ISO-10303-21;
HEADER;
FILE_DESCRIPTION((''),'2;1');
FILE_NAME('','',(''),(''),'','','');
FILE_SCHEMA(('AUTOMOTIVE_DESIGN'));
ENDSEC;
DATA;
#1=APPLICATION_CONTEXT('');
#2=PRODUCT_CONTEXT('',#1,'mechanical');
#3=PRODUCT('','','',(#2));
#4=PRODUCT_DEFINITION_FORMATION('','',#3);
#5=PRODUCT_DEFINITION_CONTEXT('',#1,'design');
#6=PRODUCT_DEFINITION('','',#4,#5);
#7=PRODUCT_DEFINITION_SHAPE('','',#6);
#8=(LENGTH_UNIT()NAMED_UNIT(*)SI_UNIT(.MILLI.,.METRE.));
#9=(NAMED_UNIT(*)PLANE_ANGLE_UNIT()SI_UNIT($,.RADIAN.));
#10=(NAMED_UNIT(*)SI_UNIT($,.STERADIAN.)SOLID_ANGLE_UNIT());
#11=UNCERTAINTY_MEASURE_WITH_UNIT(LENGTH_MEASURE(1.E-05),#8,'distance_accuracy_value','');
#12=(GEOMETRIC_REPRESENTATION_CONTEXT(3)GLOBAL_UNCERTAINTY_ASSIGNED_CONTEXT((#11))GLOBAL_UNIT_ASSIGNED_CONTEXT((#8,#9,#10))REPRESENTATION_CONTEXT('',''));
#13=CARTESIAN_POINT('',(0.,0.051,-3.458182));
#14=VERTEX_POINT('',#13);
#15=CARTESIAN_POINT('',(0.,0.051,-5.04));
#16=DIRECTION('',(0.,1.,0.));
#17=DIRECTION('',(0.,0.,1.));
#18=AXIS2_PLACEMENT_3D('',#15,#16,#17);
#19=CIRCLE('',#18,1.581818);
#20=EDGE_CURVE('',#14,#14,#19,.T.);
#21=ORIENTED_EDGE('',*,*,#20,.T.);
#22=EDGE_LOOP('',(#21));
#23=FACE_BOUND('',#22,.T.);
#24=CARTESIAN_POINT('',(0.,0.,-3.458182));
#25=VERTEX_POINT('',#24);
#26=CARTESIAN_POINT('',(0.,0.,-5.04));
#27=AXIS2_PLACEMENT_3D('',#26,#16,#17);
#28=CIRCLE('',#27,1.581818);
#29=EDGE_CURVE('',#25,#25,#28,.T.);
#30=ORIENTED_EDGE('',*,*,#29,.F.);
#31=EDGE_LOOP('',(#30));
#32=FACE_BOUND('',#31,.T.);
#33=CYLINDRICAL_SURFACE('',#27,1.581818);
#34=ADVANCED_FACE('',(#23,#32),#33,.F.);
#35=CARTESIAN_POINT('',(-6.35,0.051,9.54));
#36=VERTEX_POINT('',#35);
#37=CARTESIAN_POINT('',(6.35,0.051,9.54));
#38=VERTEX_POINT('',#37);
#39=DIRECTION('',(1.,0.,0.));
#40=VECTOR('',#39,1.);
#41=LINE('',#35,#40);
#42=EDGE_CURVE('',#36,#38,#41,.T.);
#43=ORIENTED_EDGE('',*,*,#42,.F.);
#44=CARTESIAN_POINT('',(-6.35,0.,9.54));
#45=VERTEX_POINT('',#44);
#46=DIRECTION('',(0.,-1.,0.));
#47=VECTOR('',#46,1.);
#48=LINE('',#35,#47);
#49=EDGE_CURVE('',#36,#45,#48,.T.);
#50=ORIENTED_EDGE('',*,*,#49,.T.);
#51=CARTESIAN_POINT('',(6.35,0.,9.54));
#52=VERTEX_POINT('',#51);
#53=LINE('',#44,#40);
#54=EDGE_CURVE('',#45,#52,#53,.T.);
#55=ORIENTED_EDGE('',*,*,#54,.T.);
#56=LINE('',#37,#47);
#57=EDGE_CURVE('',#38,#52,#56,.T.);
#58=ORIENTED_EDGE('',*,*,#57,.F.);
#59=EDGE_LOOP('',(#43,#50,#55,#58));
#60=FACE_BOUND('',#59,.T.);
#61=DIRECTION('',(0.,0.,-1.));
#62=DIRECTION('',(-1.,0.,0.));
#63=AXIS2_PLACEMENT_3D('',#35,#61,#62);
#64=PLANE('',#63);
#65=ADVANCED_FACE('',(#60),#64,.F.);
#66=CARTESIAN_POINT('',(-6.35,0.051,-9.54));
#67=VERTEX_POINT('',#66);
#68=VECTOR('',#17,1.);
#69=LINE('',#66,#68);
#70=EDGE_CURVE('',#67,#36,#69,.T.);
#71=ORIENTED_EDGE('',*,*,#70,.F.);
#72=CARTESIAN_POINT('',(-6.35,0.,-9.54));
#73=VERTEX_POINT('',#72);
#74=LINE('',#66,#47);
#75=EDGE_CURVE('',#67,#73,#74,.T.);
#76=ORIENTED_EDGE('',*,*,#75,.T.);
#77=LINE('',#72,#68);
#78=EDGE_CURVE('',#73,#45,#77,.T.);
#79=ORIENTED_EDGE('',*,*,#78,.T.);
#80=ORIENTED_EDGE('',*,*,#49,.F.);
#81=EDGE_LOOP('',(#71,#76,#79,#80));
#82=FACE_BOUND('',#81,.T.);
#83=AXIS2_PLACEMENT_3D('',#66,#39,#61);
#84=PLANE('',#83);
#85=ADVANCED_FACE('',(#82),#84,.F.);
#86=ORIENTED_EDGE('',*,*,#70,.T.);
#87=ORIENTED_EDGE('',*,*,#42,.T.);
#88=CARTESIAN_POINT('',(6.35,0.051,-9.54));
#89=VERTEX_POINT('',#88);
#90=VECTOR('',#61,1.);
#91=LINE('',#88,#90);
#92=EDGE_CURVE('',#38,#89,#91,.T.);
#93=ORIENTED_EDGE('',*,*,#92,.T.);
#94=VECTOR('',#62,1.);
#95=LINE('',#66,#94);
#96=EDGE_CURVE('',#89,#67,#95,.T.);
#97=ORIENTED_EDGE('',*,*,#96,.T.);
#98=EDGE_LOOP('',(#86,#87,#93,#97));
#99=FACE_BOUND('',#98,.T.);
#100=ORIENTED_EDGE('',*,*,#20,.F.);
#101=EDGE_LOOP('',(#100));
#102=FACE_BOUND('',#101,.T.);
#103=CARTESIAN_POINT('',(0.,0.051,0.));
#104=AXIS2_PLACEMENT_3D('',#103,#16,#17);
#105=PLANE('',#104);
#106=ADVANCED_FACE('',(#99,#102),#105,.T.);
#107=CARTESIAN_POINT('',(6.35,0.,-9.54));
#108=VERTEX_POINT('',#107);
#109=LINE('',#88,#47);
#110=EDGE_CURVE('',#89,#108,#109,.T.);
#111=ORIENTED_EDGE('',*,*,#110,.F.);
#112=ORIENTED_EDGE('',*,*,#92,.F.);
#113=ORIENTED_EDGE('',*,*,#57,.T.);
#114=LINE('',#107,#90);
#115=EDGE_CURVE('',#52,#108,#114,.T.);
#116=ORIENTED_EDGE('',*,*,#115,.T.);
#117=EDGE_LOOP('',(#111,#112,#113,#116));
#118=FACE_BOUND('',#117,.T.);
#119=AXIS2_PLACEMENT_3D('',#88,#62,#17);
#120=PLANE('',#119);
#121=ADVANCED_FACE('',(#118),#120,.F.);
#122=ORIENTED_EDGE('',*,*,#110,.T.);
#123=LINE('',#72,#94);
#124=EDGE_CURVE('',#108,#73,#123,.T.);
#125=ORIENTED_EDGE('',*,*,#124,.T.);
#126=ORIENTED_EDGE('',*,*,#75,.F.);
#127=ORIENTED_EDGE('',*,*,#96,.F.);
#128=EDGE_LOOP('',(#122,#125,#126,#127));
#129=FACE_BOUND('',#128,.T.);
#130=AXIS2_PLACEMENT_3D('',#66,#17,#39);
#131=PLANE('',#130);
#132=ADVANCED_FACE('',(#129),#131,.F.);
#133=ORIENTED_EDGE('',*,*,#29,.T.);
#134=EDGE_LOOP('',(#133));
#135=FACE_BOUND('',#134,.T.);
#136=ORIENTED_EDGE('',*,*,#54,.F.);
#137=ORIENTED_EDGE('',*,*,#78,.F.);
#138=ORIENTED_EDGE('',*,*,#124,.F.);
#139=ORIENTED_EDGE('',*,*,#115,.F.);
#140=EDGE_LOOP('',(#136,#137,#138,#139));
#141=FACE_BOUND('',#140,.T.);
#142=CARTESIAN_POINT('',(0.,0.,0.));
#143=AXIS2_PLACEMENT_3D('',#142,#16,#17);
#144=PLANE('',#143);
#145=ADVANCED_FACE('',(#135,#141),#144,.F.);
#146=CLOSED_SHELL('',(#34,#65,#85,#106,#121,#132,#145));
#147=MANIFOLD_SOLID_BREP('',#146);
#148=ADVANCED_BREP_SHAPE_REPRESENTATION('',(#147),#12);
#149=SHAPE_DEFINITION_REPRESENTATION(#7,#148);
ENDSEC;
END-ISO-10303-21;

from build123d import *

# Parameters (mm, degrees)
SKETCH1_W           = 12.7
SKETCH1_H           = 19.08
BOSS_EXTRUDE1_DEPTH = 0.051
SKETCH2_R           = 1.58181762
CUT_EXTRUDE1_DEPTH  = 1.051


with BuildPart() as part:
    # Sketch1 → Boss-Extrude1 (new body)
    with BuildSketch(Plane(origin=(0, 0, 0), x_dir=(1, 0, 0), z_dir=(0, 1, 0))):
        Rectangle(SKETCH1_W, SKETCH1_H)
    extrude(amount=BOSS_EXTRUDE1_DEPTH)

    # Sketch2 → Cut-Extrude1 (cut, through all)
    with BuildSketch(Plane(origin=(0, 0.051, 0), x_dir=(1, 0, 0), z_dir=(0, 1, 0))):
        with Locations((0, 5.04)):
            Circle(SKETCH2_R)
    extrude(amount=-CUT_EXTRUDE1_DEPTH, mode=Mode.SUBTRACT)


solid = part.part
